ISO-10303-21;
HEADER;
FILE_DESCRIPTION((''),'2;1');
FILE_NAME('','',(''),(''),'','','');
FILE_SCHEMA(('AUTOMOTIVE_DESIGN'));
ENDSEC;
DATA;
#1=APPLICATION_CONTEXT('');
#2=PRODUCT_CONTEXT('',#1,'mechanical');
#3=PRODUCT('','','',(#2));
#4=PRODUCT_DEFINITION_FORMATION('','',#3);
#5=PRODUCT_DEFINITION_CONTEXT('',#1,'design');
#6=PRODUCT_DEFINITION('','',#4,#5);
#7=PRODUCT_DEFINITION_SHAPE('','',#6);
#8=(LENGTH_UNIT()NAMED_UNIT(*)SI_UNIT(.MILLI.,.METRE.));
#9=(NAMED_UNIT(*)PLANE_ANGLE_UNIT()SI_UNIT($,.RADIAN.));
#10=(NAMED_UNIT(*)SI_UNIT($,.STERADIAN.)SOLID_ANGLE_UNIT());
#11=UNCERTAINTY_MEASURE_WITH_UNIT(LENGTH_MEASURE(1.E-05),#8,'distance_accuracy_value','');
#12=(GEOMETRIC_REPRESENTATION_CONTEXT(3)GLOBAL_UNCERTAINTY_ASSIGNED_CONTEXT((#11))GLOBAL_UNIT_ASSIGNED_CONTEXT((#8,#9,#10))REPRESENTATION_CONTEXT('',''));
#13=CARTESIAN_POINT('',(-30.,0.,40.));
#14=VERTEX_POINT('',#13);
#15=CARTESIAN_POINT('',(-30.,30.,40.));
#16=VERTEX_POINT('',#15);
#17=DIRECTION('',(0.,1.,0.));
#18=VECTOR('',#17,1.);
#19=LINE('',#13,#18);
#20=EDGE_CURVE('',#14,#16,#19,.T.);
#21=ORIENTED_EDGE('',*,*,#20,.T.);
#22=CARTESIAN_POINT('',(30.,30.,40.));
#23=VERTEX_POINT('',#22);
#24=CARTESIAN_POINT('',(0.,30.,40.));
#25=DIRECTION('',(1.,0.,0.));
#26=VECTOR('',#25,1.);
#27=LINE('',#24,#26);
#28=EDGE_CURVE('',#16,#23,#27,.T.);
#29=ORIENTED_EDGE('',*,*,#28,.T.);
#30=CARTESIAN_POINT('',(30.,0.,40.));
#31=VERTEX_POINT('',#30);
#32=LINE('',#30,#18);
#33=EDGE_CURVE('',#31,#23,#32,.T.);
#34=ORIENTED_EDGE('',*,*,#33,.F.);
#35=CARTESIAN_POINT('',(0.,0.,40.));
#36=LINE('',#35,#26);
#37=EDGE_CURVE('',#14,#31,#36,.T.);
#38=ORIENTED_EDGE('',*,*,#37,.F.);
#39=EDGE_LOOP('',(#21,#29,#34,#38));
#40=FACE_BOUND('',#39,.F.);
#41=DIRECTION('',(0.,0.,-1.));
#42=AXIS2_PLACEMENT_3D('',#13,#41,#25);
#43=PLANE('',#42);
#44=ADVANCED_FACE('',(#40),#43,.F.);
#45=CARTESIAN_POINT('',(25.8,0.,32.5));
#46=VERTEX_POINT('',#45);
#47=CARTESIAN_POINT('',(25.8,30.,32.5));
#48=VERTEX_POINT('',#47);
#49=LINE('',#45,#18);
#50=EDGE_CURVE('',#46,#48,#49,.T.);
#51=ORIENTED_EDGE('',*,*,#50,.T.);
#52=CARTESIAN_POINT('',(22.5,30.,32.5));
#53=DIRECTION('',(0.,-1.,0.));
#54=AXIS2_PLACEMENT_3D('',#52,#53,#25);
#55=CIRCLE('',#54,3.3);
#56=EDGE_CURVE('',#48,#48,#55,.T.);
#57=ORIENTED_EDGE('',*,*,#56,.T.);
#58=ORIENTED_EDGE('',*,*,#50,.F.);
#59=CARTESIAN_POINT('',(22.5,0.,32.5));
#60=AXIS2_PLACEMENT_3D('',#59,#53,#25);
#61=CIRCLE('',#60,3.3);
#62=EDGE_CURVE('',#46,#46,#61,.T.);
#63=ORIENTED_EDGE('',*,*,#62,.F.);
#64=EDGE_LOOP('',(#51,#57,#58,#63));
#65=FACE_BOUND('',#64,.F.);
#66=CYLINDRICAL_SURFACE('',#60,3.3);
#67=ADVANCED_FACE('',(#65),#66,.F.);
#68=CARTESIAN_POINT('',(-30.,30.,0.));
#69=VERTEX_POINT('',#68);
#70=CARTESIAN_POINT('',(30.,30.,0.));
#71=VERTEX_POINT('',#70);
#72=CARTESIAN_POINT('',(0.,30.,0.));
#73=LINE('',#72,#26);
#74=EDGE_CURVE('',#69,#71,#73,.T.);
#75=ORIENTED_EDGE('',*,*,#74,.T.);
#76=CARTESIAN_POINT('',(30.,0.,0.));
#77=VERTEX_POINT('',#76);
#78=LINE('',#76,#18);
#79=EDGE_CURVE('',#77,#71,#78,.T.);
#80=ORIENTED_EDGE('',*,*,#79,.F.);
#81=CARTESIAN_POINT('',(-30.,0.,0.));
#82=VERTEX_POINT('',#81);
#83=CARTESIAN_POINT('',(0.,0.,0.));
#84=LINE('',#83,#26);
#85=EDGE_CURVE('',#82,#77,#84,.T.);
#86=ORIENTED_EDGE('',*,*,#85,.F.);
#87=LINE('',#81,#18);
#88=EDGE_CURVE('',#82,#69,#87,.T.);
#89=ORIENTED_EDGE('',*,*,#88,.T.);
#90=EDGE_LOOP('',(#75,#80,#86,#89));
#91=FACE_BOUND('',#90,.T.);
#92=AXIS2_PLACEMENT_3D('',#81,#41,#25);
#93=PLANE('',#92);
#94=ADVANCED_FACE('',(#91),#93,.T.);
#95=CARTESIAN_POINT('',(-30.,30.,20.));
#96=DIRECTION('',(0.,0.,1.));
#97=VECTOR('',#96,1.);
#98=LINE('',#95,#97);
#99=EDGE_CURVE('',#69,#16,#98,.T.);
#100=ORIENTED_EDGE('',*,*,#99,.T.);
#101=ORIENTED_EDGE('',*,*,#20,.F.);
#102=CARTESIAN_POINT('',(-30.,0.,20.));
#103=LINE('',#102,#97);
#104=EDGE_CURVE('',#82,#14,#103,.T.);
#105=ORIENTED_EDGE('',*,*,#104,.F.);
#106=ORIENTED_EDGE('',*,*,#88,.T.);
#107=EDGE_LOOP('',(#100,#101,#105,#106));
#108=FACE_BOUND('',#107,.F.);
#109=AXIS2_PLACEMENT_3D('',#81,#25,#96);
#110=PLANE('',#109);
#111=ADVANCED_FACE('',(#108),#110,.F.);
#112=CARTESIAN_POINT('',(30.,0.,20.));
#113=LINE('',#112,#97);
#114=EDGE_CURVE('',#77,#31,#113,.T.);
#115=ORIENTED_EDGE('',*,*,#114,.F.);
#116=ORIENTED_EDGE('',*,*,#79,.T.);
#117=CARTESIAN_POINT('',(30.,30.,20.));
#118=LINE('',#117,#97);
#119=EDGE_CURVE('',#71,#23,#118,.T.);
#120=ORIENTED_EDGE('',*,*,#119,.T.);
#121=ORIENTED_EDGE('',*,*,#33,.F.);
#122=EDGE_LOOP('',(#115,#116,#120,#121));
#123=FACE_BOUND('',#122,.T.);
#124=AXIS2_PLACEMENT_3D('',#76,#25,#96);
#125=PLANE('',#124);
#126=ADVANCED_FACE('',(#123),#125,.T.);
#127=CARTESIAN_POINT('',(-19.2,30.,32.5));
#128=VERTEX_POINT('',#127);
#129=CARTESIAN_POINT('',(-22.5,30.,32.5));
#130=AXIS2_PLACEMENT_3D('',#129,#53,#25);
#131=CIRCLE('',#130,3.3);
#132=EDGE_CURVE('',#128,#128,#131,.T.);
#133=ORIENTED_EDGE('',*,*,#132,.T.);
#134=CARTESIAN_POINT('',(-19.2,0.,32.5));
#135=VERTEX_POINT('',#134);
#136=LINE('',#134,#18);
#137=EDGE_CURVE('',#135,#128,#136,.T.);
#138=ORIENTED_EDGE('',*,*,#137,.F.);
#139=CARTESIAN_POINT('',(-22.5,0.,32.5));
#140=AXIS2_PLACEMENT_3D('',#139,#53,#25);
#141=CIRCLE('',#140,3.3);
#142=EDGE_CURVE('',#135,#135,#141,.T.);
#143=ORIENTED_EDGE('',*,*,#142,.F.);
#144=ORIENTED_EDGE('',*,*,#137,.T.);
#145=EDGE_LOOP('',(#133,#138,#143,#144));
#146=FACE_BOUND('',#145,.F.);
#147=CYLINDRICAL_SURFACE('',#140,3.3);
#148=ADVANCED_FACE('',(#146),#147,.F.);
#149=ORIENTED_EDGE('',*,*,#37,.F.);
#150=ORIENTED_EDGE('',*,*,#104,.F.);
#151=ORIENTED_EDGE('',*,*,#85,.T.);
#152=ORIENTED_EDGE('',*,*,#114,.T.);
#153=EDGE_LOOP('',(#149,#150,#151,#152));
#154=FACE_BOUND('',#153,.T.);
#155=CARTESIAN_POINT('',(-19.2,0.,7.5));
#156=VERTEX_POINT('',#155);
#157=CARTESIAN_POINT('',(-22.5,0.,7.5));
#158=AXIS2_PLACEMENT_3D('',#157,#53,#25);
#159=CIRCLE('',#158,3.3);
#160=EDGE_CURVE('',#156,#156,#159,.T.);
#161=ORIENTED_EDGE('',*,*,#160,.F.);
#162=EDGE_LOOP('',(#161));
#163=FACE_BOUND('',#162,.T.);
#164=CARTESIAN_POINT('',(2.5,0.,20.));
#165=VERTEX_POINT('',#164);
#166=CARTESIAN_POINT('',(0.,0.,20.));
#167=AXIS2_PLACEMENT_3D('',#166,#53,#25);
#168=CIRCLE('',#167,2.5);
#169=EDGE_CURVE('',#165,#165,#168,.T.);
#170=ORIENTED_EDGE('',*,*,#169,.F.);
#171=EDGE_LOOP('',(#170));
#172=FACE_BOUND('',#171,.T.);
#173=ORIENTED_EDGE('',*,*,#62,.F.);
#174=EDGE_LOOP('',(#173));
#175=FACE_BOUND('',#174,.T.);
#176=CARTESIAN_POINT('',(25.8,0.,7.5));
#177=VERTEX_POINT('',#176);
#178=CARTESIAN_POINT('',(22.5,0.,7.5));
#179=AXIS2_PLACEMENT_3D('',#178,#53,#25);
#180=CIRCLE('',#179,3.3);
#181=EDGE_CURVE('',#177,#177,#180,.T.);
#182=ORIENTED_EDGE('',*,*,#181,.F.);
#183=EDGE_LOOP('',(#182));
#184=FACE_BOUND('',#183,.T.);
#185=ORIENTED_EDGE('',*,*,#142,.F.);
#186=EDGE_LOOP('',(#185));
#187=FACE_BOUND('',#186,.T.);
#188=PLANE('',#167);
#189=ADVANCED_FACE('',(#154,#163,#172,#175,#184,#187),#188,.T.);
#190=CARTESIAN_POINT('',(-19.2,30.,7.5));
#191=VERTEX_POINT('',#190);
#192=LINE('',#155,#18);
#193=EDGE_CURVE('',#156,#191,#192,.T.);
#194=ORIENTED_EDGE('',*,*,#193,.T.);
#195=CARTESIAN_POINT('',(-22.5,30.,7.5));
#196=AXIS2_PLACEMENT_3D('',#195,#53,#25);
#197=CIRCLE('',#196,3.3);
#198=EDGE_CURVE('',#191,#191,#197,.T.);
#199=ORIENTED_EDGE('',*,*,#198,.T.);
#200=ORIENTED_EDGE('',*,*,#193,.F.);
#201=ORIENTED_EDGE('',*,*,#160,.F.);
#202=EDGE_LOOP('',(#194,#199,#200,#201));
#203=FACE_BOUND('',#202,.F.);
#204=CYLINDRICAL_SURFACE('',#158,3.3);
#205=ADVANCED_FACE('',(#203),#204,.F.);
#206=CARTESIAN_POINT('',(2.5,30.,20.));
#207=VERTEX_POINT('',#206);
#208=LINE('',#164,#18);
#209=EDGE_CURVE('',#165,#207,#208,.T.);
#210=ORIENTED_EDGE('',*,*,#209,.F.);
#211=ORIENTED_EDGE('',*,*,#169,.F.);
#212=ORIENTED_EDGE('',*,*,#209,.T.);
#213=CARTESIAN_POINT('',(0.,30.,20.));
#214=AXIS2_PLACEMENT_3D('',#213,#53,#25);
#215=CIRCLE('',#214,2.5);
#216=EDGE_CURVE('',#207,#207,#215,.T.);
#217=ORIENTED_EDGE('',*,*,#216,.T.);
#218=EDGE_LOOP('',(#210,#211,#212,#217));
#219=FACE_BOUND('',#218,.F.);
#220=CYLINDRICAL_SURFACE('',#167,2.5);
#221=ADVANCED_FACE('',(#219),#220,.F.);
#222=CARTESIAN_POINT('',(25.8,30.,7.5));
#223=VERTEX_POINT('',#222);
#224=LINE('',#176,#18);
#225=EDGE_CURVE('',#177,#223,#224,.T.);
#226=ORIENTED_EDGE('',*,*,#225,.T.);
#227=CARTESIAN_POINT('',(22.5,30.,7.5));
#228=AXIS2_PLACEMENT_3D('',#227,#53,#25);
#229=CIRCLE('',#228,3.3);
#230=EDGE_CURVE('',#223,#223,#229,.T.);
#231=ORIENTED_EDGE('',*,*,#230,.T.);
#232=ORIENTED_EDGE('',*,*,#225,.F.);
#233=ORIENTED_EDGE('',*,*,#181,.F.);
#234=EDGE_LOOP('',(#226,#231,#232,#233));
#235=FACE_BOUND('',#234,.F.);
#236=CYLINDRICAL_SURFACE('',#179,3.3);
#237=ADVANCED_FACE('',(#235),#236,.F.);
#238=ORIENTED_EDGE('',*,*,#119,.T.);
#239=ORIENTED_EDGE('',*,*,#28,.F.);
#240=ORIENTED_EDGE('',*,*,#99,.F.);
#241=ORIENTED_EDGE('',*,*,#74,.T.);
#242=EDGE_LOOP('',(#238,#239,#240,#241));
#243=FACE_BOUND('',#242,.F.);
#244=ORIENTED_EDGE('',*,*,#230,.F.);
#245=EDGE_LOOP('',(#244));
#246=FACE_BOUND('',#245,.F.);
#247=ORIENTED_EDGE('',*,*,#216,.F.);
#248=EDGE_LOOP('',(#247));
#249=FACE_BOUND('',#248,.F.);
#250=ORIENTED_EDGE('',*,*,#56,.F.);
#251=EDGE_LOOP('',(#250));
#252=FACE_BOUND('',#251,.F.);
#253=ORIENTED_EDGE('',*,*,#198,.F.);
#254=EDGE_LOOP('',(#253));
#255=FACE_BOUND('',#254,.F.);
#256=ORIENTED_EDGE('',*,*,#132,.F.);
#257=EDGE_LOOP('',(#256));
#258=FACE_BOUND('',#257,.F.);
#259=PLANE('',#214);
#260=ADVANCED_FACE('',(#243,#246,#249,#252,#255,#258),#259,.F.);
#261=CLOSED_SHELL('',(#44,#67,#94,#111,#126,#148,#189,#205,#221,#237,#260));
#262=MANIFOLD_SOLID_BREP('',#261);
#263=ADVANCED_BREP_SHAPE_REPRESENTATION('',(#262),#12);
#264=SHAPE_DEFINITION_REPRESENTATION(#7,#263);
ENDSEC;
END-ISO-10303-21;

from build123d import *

# Parameters (mm, degrees)
SKETCH_W      = 60
SKETCH_H      = 40
PAD_DEPTH     = 30
SKETCH001_R   = 2.5
HOLE_DEPTH    = 30.001
SKETCH005_R   = 3.3
HOLE002_DEPTH = 30.001


with BuildPart() as part:
    # Sketch → Pad (new body)
    with BuildSketch(Plane.XZ):
        with Locations((0, 20)):
            Rectangle(SKETCH_W, SKETCH_H)
    extrude(amount=-PAD_DEPTH)

    # Sketch001 → Hole (cut, through all)
    with BuildSketch(Plane.XZ):
        with Locations((0, 20)):
            Circle(SKETCH001_R)
    extrude(amount=-HOLE_DEPTH, mode=Mode.SUBTRACT)

    # Sketch005 → Hole002 (cut, through all)
    with BuildSketch(Plane.XZ):
        with Locations((-22.5, 32.5)):
            Circle(SKETCH005_R)
        with Locations((22.5, 7.5)):
            Circle(SKETCH005_R)
        with Locations((22.5, 32.5)):
            Circle(SKETCH005_R)
        with Locations((-22.5, 7.5)):
            Circle(SKETCH005_R)
    extrude(amount=-HOLE002_DEPTH, mode=Mode.SUBTRACT)


solid = part.part
